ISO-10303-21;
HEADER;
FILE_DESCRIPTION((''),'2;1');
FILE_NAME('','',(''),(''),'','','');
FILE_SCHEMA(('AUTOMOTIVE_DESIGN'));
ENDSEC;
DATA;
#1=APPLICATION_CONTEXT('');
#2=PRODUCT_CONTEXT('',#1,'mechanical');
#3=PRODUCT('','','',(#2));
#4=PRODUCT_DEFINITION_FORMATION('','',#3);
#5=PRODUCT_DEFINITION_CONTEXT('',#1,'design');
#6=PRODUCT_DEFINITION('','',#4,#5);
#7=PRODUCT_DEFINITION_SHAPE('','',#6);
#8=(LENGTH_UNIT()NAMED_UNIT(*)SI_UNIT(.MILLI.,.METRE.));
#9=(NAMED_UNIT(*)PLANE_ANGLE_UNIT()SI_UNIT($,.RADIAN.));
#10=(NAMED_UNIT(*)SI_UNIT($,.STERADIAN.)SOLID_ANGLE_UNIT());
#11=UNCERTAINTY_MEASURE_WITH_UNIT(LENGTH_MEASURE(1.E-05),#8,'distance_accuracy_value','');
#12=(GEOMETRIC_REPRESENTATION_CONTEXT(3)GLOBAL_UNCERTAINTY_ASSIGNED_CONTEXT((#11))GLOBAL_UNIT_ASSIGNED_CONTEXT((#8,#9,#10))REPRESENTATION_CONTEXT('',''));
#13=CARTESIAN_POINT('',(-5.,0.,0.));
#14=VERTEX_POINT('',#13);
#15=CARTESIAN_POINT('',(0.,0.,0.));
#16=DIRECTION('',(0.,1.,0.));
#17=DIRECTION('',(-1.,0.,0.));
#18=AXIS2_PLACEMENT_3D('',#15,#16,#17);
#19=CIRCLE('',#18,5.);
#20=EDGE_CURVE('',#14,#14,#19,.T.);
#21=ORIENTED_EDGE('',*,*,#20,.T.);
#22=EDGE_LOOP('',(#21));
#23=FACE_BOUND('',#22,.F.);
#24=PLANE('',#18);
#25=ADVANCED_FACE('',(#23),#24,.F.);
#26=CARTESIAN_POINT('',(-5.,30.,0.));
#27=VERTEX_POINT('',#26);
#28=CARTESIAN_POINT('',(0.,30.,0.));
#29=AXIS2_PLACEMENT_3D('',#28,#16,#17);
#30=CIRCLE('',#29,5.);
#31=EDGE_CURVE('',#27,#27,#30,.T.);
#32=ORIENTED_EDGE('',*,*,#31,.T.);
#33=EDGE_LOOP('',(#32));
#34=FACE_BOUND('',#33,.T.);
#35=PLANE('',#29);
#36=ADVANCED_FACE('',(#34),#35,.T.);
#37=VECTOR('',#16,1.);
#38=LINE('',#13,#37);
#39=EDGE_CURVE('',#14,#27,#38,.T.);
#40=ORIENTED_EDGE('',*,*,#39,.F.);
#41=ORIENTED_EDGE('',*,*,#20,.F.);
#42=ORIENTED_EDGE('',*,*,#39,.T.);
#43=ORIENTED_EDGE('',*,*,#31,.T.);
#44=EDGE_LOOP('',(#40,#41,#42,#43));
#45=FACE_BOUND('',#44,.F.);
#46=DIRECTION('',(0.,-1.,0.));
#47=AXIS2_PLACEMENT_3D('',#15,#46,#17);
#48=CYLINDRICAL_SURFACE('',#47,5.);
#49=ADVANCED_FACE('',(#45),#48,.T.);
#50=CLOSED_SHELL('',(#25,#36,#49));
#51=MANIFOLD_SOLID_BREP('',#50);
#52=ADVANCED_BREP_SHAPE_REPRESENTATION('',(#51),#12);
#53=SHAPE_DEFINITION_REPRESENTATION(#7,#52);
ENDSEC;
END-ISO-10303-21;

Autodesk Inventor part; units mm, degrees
ref_plane "YZ Plane" through (0, 0, 0) normal (1, 0, 0) x (0, 1, 0)
ref_plane "XZ Plane" through (0, 0, 0) normal (0, 1, 0) x (-1, 0, 0)
ref_plane "XY Plane" through (0, 0, 0) normal (0, 0, 1) x (1, 0, 0)
sketch "Sketch1" plane through (0, 0, 0) normal (0, 1, 0) x (-1, 0, 0)
  circle A0 centre (0, 0) radius 5
  dimension "d0" = 10
extrude "Extrusion1" add sketch "Sketch1" along normal blind 30
properties part number "Shaft"
